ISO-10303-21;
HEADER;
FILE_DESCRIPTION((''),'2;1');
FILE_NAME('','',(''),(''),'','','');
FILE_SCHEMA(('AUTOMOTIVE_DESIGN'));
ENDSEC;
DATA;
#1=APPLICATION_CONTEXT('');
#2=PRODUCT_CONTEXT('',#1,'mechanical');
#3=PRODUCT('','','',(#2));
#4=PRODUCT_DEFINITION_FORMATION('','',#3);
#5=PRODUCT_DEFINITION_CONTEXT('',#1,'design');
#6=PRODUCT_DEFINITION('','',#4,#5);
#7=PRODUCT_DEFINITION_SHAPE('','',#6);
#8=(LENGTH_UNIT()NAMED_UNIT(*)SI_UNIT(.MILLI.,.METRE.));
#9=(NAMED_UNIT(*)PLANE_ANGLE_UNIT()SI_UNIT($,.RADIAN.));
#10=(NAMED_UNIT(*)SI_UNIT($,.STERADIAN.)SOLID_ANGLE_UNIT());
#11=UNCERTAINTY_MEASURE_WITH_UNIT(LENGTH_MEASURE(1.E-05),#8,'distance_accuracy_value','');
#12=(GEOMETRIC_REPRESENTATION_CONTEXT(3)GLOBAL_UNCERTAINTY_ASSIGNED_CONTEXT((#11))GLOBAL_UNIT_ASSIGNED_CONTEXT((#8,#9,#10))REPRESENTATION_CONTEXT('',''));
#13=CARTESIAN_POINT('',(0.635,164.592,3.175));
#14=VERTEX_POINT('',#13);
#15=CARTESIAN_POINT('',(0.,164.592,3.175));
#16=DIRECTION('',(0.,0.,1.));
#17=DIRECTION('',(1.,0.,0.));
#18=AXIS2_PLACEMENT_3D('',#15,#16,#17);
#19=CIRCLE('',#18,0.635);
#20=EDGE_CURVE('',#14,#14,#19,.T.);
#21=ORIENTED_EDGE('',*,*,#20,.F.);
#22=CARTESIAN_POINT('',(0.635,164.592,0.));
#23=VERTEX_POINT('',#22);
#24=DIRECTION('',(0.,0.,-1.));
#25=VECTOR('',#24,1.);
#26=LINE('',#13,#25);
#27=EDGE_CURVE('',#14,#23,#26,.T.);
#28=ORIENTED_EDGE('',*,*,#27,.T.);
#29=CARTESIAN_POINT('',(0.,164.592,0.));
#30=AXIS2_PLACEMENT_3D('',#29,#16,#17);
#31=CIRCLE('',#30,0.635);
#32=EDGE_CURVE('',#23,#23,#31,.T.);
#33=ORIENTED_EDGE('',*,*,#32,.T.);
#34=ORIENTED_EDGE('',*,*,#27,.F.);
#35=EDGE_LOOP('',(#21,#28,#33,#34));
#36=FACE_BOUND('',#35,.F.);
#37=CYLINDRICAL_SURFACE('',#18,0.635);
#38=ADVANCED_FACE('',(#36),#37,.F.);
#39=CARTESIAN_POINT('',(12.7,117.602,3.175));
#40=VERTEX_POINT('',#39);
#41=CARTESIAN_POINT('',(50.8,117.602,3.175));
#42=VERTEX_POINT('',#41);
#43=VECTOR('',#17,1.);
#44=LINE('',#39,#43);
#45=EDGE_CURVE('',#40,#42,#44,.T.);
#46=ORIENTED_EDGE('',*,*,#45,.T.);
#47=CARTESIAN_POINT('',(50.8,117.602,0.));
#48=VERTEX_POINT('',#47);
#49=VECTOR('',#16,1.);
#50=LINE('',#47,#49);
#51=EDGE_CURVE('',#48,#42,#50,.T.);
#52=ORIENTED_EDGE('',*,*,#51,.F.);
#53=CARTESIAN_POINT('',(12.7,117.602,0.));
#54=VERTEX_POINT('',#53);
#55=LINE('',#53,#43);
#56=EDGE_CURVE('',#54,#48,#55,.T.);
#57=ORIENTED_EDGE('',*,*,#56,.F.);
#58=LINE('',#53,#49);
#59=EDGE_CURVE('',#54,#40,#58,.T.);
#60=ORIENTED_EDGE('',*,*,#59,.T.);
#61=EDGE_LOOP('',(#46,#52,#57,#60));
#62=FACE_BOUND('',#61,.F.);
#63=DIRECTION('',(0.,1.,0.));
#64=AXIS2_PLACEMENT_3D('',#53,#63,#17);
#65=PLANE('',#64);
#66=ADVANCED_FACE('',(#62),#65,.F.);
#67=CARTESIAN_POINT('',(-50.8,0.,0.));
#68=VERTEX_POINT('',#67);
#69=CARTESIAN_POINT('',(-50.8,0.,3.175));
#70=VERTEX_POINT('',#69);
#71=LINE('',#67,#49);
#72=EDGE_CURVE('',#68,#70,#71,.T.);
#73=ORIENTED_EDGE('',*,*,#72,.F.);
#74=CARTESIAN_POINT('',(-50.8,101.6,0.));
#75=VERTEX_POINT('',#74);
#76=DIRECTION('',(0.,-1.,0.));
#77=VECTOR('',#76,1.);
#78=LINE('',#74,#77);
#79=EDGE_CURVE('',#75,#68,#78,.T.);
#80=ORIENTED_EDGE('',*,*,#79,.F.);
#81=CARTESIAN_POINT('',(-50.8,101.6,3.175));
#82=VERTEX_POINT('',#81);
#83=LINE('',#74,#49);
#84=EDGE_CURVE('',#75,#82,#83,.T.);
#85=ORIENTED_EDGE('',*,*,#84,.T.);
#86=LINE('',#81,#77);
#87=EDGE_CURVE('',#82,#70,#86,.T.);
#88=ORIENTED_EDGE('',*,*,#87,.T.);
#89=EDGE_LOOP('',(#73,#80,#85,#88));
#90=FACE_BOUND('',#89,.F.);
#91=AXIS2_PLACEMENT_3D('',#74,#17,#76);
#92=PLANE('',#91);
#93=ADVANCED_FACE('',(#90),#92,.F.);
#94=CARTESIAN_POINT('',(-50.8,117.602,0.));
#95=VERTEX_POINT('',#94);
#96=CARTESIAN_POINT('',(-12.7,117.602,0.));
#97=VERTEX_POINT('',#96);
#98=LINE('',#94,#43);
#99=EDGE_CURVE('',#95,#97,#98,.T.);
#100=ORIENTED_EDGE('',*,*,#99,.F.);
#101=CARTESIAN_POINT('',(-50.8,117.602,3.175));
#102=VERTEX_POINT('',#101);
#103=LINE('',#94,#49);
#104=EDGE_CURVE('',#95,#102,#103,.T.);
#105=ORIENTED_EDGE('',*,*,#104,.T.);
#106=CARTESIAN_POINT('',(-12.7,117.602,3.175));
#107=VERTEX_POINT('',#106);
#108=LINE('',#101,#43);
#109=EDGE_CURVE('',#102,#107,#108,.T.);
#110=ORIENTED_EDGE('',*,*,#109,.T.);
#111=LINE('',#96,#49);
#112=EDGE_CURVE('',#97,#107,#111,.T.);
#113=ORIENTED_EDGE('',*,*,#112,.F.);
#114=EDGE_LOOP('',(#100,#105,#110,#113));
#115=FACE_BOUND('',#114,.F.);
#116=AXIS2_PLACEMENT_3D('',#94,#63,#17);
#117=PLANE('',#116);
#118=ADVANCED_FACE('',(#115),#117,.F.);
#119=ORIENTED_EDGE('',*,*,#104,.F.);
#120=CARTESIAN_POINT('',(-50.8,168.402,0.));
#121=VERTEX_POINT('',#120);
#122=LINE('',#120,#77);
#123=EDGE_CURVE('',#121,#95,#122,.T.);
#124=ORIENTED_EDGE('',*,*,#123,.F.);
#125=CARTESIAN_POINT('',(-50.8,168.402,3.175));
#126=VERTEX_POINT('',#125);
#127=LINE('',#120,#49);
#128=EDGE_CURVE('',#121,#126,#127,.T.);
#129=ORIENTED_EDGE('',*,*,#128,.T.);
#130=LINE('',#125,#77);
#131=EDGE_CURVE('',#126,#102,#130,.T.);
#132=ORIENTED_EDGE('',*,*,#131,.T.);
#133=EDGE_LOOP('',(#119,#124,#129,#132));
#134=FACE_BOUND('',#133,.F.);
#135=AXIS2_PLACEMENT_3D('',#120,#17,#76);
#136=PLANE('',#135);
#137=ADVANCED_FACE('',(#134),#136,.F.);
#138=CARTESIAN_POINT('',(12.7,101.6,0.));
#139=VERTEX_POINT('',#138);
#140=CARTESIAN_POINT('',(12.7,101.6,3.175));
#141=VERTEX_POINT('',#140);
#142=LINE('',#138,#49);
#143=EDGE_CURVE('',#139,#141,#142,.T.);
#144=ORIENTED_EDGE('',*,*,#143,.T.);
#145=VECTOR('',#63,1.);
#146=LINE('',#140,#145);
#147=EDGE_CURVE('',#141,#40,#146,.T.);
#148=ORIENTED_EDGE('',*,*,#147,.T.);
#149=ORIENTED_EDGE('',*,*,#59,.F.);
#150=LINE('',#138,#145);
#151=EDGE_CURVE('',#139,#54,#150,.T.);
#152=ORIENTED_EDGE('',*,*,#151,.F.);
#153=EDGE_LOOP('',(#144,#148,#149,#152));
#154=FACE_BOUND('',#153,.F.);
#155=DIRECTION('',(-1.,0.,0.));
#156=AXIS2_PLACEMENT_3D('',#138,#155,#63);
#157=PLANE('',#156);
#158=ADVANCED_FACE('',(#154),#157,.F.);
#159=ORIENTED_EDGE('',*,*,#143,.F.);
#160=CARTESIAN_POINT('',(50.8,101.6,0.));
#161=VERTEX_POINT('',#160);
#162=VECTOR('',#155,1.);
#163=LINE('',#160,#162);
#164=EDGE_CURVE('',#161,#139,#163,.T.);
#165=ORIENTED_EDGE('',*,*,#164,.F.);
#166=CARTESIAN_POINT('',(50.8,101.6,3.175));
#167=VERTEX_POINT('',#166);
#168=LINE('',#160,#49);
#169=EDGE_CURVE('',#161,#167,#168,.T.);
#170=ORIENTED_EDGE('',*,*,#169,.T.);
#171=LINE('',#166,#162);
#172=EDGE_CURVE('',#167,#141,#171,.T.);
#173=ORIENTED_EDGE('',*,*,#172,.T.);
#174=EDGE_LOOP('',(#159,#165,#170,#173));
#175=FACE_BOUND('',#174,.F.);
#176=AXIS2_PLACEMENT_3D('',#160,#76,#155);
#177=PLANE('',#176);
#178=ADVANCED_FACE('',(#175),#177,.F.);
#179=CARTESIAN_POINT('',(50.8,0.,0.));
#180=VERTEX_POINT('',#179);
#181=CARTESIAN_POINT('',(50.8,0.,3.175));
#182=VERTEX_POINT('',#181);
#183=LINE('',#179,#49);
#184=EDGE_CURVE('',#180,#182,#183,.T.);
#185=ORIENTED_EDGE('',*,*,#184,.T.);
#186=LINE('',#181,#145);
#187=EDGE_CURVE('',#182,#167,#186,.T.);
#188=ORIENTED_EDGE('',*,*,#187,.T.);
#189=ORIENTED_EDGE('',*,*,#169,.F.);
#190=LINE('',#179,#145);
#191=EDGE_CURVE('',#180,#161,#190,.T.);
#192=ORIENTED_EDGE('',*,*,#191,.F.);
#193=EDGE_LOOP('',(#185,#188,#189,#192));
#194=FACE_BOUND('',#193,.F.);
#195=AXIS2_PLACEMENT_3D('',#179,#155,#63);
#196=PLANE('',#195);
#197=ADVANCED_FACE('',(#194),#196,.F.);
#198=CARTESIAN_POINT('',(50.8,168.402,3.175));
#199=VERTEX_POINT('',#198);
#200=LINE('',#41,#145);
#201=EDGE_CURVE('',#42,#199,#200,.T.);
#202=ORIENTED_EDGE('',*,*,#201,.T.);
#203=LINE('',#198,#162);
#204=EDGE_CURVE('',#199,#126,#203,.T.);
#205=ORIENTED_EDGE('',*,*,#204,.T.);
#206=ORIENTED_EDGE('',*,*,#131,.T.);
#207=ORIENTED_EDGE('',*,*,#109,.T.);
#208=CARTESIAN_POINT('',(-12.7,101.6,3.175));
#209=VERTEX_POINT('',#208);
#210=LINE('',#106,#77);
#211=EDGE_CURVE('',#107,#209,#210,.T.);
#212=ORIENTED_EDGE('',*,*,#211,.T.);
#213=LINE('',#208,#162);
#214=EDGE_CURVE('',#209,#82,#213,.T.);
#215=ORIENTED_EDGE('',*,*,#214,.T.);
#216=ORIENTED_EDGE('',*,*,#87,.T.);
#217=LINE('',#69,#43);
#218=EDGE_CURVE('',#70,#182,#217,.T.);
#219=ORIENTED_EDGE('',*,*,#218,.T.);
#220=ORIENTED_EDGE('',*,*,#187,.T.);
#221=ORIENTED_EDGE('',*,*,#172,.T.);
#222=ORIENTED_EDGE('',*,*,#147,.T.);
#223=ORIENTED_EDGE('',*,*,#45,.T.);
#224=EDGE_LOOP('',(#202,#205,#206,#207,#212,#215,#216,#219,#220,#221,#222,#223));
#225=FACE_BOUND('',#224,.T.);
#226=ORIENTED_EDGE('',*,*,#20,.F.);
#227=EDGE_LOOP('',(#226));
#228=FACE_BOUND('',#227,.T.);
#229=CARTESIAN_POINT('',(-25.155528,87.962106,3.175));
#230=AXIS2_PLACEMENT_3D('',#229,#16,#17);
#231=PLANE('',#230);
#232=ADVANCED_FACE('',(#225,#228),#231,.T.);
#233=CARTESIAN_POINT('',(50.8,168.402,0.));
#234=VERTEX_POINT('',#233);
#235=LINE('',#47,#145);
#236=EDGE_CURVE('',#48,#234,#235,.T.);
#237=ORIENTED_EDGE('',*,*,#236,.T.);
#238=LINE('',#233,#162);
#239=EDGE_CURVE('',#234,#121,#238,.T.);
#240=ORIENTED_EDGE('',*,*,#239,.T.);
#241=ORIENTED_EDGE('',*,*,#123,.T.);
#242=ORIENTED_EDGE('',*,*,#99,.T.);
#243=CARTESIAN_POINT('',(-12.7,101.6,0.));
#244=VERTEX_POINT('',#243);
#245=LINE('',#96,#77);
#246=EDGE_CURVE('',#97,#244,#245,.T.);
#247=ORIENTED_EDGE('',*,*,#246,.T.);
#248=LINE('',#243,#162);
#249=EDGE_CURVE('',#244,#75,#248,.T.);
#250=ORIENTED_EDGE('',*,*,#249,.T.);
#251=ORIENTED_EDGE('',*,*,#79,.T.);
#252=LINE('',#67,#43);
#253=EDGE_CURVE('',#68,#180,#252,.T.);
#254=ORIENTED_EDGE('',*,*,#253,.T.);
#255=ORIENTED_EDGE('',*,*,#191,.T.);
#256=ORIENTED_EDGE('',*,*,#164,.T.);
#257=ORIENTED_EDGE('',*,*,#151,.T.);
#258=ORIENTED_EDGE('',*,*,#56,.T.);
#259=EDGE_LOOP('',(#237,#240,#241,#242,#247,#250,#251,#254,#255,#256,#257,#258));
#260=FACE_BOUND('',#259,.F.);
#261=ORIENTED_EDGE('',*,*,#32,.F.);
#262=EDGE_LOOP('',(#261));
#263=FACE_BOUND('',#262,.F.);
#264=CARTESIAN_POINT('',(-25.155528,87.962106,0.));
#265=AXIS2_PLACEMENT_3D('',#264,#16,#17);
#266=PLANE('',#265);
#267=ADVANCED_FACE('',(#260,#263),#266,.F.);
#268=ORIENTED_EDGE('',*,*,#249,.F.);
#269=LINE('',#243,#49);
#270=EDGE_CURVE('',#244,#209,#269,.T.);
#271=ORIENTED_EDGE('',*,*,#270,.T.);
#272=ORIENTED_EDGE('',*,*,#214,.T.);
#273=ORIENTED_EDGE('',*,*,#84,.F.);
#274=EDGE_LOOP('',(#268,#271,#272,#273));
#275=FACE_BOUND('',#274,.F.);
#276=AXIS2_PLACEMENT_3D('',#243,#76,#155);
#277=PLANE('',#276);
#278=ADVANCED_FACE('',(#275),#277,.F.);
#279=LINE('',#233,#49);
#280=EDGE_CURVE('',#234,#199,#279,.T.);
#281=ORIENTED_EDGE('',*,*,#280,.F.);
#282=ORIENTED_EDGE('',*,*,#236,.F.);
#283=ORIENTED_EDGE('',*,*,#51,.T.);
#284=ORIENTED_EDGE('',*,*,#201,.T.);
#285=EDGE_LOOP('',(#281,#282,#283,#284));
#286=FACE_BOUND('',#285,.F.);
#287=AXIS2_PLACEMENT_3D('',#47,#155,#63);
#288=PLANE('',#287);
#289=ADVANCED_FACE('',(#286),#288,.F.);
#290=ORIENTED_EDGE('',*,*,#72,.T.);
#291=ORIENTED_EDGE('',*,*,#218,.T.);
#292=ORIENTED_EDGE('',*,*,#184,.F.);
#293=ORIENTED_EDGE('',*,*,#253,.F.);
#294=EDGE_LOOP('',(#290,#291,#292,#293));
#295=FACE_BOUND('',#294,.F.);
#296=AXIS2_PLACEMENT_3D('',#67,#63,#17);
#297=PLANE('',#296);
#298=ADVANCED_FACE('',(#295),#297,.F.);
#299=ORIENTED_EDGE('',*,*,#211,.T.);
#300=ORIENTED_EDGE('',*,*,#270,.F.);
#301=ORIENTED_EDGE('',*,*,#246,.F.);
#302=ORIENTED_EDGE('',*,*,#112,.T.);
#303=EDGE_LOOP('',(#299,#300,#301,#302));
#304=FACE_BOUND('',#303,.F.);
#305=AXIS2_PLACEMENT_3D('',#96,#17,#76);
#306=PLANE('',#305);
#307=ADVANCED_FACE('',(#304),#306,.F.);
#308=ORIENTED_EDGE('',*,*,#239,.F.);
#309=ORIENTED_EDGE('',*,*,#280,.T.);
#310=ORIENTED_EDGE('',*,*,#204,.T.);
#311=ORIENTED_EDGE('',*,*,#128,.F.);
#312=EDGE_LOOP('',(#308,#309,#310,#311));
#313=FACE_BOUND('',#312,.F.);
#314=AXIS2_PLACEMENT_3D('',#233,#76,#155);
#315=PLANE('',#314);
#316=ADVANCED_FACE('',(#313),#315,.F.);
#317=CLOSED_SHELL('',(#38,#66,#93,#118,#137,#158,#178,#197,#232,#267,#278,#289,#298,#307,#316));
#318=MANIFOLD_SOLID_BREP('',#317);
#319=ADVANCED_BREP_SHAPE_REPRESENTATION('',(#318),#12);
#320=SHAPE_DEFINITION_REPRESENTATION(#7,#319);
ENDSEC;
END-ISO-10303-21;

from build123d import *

# Parameters (mm, degrees)
F1_DEPTH = 3.175
F2_R     = 0.635
F3_DEPTH = 3.176


with BuildPart() as f1:
    # F0 (on Top) → F1 (new body)
    with BuildSketch(Plane.XY):
        Polygon((-50.8, 0), (0, 0), (0, 168.402), (-50.8, 168.402), (-50.8, 117.602), (-12.7, 117.602), (-12.7, 101.6), (-50.8, 101.6), align=None)
        Polygon((0, 168.402), (0, 0), (50.8, 0), (50.8, 101.6), (12.7, 101.6), (12.7, 117.602), (50.8, 117.602), (50.8, 168.402), align=None)
    extrude(amount=F1_DEPTH)

    # F2 (on face) → F3 (cut, through all)
    with BuildSketch(Plane.XY.offset(3.175)):
        with Locations((0, 164.592)):
            Circle(F2_R)
    extrude(amount=-F3_DEPTH, mode=Mode.SUBTRACT)


solid = f1.part
